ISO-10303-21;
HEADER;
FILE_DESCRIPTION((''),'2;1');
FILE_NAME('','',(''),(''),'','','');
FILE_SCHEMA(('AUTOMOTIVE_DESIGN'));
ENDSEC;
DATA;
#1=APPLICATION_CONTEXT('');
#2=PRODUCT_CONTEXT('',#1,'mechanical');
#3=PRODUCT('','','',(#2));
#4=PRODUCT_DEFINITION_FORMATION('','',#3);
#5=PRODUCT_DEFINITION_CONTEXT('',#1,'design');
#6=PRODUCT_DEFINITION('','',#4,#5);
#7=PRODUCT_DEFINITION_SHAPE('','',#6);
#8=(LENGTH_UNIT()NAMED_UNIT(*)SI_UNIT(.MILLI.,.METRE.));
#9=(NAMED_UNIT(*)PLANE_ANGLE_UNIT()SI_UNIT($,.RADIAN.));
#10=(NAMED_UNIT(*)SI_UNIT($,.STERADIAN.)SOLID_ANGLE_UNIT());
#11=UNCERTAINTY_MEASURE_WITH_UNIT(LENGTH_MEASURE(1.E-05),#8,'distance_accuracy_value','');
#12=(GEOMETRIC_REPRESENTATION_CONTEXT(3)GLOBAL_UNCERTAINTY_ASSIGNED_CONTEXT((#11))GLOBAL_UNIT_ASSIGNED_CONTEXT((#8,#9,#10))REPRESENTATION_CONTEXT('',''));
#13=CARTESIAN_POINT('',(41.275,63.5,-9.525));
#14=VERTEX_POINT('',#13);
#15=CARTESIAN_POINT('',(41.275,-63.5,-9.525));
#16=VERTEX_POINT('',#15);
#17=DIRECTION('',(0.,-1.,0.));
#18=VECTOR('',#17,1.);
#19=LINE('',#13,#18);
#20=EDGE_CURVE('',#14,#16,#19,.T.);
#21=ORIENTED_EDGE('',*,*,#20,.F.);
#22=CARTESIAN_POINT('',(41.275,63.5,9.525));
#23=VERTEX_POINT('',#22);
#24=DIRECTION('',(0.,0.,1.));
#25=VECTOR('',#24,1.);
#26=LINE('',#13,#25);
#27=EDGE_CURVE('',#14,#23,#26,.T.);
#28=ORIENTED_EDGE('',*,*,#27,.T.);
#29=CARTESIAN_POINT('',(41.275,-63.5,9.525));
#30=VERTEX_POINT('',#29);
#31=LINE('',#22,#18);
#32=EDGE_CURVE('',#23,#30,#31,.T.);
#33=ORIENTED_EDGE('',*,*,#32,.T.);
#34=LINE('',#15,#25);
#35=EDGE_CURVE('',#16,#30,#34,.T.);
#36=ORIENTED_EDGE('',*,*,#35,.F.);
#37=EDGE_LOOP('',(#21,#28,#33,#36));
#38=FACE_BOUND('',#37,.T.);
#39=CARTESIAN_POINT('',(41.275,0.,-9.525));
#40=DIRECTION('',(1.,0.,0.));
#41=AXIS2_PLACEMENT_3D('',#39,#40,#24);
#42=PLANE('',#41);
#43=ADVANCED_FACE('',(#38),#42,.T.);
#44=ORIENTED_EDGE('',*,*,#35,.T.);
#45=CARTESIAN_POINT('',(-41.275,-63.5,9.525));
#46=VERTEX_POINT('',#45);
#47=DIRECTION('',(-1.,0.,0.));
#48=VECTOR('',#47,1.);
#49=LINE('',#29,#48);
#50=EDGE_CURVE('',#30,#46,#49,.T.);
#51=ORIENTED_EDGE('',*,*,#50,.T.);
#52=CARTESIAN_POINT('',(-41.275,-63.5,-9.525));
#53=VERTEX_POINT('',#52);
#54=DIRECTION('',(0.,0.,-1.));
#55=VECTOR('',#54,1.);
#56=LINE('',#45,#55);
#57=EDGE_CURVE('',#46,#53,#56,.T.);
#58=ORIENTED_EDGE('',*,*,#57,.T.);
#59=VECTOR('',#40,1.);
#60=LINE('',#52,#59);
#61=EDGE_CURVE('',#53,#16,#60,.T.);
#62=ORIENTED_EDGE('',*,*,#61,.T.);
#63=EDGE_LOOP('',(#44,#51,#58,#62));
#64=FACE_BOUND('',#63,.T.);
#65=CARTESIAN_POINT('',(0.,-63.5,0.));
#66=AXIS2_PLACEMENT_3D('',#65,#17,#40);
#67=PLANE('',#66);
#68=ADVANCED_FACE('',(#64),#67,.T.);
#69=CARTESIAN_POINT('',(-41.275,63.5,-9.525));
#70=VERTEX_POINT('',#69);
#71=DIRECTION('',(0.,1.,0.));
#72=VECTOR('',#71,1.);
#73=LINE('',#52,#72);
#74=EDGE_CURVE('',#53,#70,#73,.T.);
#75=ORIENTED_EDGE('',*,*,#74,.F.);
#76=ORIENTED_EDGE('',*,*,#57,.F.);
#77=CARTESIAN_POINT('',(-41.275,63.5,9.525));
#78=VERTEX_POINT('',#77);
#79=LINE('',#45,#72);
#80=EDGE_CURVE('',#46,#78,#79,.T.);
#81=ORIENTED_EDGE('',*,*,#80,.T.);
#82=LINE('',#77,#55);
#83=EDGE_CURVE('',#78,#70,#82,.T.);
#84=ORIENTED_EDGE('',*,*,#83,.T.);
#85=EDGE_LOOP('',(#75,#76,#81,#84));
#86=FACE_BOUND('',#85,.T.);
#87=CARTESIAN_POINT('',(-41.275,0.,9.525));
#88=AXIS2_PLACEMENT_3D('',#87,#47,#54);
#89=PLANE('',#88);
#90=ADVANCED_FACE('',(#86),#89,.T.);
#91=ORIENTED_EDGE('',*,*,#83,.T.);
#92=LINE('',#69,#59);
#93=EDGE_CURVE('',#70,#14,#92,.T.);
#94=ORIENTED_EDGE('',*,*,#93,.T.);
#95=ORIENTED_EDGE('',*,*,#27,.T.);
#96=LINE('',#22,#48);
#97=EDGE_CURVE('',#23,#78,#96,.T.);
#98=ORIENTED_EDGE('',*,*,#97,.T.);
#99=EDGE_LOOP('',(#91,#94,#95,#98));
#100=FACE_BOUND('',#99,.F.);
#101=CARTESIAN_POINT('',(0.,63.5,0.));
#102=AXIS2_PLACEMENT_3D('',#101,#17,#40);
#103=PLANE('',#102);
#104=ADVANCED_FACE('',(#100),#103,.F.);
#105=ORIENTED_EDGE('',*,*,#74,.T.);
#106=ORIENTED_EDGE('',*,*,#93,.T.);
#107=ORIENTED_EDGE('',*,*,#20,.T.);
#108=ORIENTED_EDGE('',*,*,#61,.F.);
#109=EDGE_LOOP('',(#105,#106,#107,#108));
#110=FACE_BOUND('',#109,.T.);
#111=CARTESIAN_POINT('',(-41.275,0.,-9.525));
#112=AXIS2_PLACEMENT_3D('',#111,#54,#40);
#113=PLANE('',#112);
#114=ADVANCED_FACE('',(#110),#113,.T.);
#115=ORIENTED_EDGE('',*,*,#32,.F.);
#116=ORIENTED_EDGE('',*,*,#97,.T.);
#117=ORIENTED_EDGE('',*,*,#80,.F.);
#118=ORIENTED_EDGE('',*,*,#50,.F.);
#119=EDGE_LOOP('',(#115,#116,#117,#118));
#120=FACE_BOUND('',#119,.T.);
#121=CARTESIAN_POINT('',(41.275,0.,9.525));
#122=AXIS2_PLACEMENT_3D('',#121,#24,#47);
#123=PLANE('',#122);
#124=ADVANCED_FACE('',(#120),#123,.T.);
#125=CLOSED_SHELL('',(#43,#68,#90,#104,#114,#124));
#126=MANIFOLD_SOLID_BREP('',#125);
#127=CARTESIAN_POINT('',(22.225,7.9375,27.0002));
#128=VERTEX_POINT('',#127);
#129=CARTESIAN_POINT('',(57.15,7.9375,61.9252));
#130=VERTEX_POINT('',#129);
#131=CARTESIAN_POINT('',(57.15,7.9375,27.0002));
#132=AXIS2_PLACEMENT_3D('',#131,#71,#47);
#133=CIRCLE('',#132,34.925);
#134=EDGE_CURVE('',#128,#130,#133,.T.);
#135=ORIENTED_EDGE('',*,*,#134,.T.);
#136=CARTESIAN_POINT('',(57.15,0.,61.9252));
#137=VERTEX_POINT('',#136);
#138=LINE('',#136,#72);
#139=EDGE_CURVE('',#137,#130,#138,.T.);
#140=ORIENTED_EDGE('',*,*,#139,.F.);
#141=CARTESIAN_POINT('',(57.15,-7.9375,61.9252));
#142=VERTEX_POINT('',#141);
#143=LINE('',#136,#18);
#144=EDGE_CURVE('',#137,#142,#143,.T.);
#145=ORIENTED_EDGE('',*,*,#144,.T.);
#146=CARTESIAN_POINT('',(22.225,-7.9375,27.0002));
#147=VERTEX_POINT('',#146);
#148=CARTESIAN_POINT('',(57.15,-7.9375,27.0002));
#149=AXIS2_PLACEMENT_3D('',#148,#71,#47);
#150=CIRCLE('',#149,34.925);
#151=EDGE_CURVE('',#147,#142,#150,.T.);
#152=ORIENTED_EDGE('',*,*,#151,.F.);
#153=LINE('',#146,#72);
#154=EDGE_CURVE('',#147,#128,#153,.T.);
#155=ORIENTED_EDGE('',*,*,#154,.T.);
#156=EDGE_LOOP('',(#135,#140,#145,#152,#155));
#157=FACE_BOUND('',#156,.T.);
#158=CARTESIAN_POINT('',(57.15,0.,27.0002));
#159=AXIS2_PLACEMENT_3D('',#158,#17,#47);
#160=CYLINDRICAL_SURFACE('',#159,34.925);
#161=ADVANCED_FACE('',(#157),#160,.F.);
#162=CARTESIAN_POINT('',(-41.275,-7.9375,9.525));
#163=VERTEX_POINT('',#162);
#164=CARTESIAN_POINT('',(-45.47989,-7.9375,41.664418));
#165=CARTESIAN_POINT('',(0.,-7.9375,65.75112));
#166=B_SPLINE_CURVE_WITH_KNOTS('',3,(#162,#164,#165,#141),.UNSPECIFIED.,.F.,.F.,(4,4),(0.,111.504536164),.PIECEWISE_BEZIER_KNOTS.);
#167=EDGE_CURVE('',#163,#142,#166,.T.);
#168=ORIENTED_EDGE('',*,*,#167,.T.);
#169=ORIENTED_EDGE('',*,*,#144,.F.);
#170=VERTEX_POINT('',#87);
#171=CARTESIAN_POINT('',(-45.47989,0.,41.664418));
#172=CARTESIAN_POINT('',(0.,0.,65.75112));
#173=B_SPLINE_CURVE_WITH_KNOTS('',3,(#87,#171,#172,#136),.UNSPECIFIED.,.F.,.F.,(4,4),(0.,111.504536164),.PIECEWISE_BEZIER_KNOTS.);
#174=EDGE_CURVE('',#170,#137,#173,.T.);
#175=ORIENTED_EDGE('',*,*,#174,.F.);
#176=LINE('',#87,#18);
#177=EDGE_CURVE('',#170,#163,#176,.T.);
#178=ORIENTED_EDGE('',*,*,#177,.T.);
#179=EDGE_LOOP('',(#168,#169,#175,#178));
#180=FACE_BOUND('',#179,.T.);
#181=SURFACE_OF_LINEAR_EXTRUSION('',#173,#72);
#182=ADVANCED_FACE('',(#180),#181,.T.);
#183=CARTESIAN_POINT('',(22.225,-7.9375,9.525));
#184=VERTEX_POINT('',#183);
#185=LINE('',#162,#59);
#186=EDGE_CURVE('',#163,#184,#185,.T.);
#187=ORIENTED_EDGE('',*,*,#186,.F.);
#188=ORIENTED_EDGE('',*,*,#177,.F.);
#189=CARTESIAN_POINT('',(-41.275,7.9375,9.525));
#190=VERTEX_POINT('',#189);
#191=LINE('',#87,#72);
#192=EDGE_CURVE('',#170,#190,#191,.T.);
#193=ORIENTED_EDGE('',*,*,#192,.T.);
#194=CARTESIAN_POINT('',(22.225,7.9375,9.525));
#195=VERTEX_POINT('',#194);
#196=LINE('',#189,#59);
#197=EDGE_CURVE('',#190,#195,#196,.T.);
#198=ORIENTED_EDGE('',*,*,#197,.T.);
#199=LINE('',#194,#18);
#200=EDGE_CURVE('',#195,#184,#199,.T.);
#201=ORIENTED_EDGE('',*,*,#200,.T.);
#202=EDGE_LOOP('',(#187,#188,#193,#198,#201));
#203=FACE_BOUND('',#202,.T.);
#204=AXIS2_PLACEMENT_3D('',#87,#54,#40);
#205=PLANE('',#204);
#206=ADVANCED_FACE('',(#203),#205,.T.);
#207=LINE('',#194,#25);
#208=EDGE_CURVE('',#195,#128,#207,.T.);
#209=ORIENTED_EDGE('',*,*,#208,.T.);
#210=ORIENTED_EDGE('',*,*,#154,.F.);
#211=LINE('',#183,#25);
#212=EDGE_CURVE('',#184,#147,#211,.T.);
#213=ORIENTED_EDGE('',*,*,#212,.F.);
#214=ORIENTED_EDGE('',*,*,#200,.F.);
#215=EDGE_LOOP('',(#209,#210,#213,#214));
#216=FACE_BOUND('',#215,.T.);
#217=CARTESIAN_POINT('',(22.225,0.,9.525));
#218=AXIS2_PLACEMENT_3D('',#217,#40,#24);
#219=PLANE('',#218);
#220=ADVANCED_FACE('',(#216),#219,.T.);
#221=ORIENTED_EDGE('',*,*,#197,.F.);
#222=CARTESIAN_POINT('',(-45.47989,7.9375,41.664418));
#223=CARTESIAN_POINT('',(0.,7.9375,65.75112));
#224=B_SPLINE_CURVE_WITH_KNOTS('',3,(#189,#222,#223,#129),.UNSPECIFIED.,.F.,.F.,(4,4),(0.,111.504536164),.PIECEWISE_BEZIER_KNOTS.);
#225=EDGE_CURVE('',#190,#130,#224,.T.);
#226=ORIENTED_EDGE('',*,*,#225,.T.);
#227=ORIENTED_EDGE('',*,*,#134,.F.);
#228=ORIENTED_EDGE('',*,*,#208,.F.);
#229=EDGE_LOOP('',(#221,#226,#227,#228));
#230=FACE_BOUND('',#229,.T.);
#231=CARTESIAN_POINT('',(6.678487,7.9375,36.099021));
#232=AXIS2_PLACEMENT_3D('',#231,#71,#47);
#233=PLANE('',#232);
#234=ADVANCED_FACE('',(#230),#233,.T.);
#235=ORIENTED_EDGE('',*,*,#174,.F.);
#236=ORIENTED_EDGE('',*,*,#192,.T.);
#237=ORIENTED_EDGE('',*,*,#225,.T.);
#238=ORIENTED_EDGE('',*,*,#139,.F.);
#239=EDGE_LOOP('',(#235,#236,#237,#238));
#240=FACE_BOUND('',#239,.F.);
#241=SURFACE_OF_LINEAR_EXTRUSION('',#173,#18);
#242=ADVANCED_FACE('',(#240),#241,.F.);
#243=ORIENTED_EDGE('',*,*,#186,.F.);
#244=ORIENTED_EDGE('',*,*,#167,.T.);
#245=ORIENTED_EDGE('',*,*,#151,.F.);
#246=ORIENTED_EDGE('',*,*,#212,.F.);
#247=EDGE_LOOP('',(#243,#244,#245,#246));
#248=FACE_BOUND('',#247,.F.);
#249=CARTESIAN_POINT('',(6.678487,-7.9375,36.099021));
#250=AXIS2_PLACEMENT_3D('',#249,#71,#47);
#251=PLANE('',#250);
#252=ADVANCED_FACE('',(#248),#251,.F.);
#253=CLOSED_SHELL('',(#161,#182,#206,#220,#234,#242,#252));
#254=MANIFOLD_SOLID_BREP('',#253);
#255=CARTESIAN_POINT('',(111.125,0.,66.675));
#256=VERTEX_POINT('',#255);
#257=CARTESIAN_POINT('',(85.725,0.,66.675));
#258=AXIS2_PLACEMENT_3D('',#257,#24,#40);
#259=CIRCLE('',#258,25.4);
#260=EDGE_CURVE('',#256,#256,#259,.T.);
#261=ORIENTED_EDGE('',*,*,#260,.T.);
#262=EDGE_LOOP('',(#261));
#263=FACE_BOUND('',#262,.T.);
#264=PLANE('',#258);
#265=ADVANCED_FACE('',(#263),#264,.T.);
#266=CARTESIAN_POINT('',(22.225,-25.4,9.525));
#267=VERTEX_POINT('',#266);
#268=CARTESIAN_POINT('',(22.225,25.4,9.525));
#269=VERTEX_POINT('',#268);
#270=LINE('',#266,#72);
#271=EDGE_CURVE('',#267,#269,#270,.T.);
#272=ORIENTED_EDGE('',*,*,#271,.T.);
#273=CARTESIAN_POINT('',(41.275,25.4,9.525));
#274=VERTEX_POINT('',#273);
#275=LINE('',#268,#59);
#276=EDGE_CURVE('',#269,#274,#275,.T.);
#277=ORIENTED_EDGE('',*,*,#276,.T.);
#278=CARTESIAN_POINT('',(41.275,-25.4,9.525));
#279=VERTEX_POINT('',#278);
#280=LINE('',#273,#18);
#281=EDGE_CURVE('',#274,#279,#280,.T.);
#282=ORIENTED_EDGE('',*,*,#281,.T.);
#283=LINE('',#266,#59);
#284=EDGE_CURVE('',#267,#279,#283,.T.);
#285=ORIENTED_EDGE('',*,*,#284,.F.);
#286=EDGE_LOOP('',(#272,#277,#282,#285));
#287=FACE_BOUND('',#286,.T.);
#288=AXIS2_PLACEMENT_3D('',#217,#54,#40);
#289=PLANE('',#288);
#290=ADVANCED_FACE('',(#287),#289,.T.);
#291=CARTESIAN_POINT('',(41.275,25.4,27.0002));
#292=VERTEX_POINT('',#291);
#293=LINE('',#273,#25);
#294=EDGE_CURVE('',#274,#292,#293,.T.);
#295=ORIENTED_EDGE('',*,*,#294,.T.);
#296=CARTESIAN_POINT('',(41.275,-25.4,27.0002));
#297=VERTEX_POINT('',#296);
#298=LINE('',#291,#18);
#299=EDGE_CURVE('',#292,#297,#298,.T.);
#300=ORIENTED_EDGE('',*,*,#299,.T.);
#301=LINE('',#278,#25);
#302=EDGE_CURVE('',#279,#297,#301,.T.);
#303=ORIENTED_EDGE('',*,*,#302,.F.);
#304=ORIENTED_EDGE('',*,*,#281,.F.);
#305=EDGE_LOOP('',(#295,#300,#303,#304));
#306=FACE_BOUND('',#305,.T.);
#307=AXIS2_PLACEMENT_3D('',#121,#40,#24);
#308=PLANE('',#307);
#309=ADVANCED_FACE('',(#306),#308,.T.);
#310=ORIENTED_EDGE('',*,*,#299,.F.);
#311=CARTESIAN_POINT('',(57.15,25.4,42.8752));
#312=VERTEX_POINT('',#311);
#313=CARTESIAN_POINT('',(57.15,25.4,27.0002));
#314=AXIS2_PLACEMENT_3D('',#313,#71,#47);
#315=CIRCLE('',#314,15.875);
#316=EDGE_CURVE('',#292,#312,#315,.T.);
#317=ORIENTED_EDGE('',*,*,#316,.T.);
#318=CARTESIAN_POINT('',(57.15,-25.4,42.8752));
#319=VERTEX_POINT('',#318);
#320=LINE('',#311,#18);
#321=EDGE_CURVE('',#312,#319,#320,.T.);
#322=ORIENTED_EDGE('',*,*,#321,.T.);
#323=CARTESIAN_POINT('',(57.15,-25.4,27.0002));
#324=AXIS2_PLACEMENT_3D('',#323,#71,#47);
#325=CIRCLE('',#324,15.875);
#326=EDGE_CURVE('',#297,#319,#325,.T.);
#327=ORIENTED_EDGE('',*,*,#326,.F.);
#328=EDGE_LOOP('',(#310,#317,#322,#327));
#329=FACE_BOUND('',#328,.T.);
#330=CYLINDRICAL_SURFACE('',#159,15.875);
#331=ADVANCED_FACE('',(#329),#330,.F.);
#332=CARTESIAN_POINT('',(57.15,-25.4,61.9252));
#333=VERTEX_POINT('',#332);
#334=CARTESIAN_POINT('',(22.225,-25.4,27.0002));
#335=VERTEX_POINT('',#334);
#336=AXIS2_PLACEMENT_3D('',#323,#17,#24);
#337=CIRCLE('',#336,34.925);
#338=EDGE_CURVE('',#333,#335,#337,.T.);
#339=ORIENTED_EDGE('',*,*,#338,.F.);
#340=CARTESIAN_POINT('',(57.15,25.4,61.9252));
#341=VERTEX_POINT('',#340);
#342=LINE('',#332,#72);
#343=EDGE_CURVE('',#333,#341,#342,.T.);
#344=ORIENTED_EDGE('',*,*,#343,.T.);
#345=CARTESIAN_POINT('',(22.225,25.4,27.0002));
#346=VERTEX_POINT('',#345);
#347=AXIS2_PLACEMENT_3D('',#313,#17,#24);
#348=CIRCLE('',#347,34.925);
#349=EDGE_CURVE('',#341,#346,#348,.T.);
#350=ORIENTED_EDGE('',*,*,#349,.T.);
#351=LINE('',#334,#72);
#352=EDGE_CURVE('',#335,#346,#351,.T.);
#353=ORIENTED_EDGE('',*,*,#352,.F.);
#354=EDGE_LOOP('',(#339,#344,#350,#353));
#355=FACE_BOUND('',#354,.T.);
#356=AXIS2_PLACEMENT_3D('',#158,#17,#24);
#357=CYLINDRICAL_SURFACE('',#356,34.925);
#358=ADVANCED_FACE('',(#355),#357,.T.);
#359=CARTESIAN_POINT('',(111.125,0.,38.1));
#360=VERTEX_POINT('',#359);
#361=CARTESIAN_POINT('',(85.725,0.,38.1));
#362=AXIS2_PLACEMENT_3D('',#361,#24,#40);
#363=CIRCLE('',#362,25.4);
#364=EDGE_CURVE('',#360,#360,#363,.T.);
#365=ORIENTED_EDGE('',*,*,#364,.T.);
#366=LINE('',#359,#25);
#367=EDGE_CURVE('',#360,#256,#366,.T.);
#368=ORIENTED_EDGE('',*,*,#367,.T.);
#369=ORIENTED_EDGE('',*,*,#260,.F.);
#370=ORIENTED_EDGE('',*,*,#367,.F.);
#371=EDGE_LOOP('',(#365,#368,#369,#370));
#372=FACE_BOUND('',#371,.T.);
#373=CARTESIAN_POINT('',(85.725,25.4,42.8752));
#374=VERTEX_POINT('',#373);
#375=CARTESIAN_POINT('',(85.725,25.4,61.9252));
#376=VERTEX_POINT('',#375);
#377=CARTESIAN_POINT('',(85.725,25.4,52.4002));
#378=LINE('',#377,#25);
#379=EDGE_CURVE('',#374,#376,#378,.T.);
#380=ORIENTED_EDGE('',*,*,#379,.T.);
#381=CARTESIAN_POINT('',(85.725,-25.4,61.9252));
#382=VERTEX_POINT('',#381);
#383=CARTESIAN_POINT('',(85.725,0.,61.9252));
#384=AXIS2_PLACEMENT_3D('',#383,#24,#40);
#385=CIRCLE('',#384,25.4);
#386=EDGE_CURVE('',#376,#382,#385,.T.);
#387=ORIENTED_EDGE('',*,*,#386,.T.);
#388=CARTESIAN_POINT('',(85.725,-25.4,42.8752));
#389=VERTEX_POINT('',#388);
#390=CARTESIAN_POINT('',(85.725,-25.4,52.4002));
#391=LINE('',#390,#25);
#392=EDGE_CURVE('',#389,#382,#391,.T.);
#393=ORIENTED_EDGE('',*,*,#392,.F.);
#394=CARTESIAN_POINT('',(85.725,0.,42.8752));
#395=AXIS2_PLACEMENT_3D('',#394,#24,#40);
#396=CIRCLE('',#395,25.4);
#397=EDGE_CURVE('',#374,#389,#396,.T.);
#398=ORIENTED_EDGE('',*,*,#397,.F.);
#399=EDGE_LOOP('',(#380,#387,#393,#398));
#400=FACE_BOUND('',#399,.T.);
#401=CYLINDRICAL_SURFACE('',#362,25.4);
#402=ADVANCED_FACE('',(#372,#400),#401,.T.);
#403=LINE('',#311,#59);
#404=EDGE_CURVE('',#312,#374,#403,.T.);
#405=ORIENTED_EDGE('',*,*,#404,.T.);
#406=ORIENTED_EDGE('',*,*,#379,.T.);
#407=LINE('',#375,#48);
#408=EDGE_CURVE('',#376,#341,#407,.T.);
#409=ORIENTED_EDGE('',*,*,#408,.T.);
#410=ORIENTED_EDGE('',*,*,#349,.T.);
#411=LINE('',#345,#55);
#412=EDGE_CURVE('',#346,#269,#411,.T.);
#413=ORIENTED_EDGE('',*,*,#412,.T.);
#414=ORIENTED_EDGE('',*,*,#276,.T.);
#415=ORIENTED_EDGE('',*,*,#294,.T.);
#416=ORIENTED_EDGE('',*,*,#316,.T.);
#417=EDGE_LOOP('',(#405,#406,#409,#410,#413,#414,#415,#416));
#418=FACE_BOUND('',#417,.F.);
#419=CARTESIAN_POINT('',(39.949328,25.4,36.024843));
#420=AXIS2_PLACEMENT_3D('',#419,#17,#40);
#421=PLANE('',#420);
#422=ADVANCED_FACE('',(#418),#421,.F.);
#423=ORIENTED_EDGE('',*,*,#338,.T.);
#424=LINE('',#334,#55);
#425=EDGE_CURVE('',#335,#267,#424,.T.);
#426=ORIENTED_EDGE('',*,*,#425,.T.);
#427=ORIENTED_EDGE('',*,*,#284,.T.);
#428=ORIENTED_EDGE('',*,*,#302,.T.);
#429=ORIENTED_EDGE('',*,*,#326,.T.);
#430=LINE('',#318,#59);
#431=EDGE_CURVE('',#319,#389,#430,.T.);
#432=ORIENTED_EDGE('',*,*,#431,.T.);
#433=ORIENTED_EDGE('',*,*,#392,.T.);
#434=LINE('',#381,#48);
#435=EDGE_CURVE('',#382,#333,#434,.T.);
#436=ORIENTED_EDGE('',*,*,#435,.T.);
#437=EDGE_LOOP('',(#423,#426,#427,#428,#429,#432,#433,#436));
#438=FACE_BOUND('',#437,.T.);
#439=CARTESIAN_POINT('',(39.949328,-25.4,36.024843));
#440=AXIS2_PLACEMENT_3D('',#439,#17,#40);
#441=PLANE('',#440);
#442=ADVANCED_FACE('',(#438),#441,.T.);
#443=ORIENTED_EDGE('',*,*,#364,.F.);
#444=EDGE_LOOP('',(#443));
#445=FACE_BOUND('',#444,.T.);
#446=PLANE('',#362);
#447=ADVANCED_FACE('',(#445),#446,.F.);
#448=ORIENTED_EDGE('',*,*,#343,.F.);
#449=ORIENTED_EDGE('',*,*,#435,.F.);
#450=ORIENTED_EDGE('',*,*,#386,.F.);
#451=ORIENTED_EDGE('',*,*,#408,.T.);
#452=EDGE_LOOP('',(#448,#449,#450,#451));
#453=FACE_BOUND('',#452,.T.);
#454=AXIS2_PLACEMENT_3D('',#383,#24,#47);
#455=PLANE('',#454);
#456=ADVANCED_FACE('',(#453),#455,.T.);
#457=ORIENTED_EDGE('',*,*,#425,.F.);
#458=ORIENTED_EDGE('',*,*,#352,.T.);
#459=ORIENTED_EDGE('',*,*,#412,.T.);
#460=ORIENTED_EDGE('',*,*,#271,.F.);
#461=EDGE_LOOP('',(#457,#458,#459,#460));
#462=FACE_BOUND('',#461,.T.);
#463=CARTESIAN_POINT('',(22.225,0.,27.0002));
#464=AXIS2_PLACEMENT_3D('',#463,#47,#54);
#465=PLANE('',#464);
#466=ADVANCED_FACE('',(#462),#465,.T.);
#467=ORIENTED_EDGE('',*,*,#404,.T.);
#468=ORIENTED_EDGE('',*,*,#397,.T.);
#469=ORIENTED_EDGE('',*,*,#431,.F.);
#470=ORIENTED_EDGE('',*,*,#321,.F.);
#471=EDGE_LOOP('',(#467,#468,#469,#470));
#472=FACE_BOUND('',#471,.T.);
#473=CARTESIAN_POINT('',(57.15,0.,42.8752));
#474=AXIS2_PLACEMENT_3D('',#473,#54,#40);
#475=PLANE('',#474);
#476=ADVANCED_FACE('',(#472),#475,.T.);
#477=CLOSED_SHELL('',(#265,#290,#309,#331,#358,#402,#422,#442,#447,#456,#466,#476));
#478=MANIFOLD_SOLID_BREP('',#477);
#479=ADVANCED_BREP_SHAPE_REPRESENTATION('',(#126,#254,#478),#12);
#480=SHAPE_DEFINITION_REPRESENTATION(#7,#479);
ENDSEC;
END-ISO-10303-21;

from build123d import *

# Parameters (mm, degrees)
F1_DEPTH = 63.5
F0_W     = 25.4
F0_H     = 19.05
F2_DEPTH = 25.4
F3_DEPTH = 7.9375


with BuildPart() as f1:
    # F0 (on Front) → F1 (new body, symmetric)
    with BuildSketch(Plane.XZ):
        Polygon((-41.275, -9.525), (41.275, -9.525), (41.275, 9.525), (22.225, 9.525), (-41.275, 9.525), align=None)
    extrude(amount=F1_DEPTH, both=True)


with BuildPart() as f2:
    # F0 (on Front) → F2 (new body, symmetric)
    with BuildSketch(Plane.XZ):
        with BuildLine():
            Line((22.225, 9.525), (41.275, 9.525))
            Line((41.275, 9.525), (41.275, 27.0002))
            ThreePointArc((41.275, 27.0002), (45.9246798487, 38.2255201513), (57.15, 42.8752))
            Line((57.15, 42.8752), (60.325, 42.8752))
            Line((60.325, 42.8752), (60.325, 61.9252))
            Line((60.325, 61.9252), (57.15, 61.9252))
            ThreePointArc((57.15, 61.9252), (32.4542956671, 51.6959043329), (22.225, 27.0002))
            Line((22.225, 27.0002), (22.225, 9.525))
        make_face()
        with Locations((73.025, 52.4002)):
            Rectangle(F0_W, F0_H)
    extrude(amount=F2_DEPTH, both=True)

    # F0 (on Front) → F4 (revolve)
    with BuildSketch(Plane.XZ):
        Polygon((85.725, 66.675), (85.725, 61.9252), (85.725, 42.8752), (85.725, 38.1), (111.125, 38.1), (111.125, 66.675), align=None)
    revolve(axis=Axis((85.725, 0, 52.3875), (0, 0, 1)))


with BuildPart() as f3:
    # F0 (on Front) → F3 (new body, symmetric)
    with BuildSketch(Plane.XZ):
        with BuildLine():
            add(Edge.make_bspline(
                [(-41.275, 9.525), (-45.4798899591, 41.6644178331), (0, 65.7511204481), (57.15, 61.9252)],
                knots=[0, 0, 0, 0, 111.5045361635, 111.5045361635, 111.5045361635, 111.5045361635], degree=3))
            Line((-41.275, 9.525), (22.225, 9.525))
            Line((22.225, 9.525), (22.225, 27.0002))
            ThreePointArc((22.225, 27.0002), (32.4542956671, 51.6959043329), (57.15, 61.9252))
        make_face()
    extrude(amount=F3_DEPTH, both=True)


solid = Compound([f1.part, f2.part, f3.part])
